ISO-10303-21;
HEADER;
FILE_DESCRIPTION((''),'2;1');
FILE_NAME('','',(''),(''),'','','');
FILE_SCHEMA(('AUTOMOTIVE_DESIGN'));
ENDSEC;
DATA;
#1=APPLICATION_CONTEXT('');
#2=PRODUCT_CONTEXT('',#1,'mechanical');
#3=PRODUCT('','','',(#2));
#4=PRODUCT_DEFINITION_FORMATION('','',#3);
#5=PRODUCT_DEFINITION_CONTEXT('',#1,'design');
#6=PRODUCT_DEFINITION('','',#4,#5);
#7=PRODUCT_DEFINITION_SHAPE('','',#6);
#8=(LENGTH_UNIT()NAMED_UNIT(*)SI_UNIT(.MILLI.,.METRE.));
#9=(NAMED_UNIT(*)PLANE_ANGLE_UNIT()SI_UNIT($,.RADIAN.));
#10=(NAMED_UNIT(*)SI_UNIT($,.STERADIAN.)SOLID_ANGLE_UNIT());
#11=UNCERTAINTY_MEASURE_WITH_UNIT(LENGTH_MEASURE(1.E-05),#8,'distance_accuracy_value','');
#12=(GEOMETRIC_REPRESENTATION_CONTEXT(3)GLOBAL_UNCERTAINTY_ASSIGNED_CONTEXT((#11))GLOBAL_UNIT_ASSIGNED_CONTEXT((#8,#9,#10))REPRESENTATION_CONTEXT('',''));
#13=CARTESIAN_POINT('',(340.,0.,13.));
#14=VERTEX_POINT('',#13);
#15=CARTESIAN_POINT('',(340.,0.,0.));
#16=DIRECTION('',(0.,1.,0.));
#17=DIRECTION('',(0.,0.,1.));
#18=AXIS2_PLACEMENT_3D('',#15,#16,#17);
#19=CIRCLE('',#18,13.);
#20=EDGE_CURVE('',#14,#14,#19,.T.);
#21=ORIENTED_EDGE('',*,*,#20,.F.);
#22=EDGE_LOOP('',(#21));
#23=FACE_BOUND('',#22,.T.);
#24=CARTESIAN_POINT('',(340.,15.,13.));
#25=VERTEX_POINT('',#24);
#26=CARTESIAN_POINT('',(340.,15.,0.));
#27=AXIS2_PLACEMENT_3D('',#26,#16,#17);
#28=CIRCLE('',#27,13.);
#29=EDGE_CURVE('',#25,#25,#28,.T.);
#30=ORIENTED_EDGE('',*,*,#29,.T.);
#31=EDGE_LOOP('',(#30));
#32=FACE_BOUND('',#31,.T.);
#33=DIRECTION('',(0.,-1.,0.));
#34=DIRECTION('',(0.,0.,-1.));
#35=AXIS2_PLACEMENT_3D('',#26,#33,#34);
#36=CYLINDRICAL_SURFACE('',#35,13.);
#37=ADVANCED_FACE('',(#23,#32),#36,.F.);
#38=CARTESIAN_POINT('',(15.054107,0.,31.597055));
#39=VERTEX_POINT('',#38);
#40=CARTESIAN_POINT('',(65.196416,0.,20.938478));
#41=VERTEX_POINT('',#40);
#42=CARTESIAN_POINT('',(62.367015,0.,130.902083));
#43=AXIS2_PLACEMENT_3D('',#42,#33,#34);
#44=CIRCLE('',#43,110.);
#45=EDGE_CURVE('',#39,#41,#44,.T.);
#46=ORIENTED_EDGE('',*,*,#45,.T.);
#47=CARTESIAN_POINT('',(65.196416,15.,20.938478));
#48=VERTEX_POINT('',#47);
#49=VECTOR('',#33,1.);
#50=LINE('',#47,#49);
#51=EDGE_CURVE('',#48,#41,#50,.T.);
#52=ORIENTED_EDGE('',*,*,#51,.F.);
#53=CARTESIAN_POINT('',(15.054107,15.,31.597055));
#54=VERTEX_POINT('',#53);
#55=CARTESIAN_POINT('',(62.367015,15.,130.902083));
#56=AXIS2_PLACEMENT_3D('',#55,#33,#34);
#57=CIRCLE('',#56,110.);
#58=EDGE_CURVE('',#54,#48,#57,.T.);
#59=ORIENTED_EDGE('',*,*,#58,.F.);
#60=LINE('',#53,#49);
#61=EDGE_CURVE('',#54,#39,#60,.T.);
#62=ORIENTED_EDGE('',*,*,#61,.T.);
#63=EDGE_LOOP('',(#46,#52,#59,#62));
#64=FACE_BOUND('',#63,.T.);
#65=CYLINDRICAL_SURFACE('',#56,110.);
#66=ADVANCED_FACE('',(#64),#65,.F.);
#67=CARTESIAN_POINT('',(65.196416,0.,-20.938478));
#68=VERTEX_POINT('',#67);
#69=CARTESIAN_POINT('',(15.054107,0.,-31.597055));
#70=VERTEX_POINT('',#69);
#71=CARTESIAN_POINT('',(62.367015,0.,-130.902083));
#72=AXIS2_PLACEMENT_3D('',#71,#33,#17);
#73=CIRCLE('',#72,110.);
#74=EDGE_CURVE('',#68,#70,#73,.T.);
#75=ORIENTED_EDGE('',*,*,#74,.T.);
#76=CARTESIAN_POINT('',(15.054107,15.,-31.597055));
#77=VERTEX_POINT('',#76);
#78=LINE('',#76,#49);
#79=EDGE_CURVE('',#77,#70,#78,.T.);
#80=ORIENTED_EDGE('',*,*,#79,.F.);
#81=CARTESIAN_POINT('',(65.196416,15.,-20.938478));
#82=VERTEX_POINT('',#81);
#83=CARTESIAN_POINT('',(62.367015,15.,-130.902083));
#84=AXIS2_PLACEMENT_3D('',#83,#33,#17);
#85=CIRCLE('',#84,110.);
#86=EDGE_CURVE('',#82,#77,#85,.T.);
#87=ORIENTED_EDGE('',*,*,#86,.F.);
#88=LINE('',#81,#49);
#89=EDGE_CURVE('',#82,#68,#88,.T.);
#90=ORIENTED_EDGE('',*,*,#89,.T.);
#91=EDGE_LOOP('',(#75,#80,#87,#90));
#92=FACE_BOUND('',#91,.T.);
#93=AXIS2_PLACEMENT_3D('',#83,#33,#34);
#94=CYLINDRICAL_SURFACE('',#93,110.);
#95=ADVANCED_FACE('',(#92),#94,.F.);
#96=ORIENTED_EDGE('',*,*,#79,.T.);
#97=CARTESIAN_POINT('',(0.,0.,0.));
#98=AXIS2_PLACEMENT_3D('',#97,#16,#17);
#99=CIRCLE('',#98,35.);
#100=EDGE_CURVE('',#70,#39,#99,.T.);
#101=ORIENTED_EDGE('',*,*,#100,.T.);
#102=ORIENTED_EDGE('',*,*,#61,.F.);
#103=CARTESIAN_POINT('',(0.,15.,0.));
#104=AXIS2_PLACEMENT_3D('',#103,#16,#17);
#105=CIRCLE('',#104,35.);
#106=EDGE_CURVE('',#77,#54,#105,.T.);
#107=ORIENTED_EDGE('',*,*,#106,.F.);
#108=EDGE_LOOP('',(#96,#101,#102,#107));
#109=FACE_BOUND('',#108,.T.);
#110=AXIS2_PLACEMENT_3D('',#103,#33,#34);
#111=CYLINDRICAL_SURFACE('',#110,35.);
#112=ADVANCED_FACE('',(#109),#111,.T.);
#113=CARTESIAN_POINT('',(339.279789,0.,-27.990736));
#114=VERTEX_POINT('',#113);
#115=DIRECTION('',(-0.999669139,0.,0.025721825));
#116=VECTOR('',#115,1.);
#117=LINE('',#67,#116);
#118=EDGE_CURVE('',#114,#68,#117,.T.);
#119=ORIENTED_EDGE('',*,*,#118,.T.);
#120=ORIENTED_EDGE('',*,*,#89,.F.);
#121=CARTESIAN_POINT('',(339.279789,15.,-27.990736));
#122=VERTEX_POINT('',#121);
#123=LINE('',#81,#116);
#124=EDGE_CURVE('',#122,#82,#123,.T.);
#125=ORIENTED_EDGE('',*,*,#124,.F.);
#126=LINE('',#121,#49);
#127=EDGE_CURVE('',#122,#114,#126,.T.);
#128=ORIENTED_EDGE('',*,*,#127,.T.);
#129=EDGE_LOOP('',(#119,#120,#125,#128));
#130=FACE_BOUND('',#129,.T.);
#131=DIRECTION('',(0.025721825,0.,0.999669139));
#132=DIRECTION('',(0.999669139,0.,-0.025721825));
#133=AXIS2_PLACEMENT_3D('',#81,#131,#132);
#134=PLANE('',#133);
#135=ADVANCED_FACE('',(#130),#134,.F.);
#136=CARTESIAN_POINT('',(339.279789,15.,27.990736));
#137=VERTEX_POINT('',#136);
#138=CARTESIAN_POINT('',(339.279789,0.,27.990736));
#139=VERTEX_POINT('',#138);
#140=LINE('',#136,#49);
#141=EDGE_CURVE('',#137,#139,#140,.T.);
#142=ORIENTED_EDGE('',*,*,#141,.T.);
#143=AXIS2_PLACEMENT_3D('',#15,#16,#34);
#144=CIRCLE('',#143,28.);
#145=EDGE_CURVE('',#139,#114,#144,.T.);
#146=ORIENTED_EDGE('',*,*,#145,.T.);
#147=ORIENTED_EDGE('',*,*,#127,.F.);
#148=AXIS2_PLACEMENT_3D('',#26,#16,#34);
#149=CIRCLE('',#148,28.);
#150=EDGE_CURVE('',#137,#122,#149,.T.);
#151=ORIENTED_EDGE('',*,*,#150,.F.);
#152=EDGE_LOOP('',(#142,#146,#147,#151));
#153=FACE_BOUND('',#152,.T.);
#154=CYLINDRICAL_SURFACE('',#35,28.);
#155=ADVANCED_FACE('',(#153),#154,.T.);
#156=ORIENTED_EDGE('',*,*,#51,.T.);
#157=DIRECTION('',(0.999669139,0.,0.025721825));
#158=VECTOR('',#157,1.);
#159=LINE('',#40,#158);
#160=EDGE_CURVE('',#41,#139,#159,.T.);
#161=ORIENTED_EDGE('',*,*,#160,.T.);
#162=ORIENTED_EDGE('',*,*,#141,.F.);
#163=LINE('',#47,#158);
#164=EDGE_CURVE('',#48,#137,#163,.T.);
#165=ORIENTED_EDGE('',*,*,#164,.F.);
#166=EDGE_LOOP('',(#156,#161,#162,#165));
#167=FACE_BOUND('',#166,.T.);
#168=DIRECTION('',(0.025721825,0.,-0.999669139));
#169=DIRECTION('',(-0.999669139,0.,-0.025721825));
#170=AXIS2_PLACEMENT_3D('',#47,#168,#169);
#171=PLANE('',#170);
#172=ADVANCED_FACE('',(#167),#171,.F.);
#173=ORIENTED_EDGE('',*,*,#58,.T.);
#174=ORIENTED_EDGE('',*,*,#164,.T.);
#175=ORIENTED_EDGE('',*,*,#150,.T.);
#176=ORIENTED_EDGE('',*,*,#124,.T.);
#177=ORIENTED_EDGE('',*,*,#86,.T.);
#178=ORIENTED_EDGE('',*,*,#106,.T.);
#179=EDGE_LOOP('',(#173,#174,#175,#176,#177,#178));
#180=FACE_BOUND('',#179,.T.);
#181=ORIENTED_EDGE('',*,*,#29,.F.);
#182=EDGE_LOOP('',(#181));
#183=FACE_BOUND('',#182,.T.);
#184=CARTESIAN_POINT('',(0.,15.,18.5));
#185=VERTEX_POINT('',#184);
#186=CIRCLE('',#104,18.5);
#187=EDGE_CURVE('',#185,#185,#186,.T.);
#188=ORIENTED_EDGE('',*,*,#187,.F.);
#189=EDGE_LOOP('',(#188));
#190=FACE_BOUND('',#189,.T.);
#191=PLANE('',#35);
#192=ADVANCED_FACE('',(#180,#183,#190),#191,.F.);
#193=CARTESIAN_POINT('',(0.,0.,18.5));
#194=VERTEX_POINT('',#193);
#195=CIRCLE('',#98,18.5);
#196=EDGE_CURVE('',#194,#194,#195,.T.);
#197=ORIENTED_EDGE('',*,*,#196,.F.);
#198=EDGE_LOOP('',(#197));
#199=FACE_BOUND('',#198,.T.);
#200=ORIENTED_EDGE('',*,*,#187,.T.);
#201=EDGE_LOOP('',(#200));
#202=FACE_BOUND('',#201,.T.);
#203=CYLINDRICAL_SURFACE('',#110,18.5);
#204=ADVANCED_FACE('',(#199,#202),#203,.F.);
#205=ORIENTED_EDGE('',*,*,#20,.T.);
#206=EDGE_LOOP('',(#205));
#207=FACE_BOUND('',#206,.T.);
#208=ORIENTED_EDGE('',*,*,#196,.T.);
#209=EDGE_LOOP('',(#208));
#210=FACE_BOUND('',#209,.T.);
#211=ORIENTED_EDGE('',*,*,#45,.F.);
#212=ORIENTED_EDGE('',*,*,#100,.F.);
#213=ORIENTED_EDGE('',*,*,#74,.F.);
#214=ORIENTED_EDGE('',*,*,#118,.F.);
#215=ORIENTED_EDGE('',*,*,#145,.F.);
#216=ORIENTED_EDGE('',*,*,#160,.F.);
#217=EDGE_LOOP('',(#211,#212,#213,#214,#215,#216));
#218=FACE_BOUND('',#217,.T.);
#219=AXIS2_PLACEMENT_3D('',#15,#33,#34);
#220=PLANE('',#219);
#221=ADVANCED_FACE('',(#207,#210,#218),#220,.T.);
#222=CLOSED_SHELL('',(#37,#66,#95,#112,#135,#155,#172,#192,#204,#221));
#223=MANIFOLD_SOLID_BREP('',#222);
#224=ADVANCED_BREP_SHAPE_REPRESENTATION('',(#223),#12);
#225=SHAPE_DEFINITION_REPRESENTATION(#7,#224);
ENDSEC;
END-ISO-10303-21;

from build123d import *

# Parameters (mm, degrees)
SKETCH_1_R      = 18.5
SKETCH_1_R_2    = 13
EXTRUDE_1_DEPTH = 15


with BuildPart() as part:
    # 草图1 → 凸台-拉伸1 (new body)
    with BuildSketch(Plane(origin=(0, 0, 0), x_dir=(1, 0, 0), z_dir=(0, 1, 0))):
        with BuildLine():
            Line((65.196415688, 20.938478113), (339.27978891, 27.990735896))
            ThreePointArc((339.27978891, 27.990735896), (368, 0), (339.27978891, -27.990735896))
            Line((339.27978891, -27.990735896), (65.196415688, -20.938478113))
            ThreePointArc((65.196415688, -20.938478113), (39.495702891, -23.306065445), (15.054107063, -31.597054618))
            ThreePointArc((15.054107063, -31.597054618), (-35, 0), (15.054107063, 31.597054618))
            ThreePointArc((15.054107063, 31.597054618), (39.495702891, 23.306065445), (65.196415688, 20.938478113))
        make_face()
        with Locations(Location((0, 0, 0), (0, 0, 270))):
            Circle(SKETCH_1_R, mode=Mode.SUBTRACT)
        with Locations(Location((340, 0, 0), (0, 0, 270))):
            Circle(SKETCH_1_R_2, mode=Mode.SUBTRACT)
    extrude(amount=EXTRUDE_1_DEPTH)


solid = part.part
